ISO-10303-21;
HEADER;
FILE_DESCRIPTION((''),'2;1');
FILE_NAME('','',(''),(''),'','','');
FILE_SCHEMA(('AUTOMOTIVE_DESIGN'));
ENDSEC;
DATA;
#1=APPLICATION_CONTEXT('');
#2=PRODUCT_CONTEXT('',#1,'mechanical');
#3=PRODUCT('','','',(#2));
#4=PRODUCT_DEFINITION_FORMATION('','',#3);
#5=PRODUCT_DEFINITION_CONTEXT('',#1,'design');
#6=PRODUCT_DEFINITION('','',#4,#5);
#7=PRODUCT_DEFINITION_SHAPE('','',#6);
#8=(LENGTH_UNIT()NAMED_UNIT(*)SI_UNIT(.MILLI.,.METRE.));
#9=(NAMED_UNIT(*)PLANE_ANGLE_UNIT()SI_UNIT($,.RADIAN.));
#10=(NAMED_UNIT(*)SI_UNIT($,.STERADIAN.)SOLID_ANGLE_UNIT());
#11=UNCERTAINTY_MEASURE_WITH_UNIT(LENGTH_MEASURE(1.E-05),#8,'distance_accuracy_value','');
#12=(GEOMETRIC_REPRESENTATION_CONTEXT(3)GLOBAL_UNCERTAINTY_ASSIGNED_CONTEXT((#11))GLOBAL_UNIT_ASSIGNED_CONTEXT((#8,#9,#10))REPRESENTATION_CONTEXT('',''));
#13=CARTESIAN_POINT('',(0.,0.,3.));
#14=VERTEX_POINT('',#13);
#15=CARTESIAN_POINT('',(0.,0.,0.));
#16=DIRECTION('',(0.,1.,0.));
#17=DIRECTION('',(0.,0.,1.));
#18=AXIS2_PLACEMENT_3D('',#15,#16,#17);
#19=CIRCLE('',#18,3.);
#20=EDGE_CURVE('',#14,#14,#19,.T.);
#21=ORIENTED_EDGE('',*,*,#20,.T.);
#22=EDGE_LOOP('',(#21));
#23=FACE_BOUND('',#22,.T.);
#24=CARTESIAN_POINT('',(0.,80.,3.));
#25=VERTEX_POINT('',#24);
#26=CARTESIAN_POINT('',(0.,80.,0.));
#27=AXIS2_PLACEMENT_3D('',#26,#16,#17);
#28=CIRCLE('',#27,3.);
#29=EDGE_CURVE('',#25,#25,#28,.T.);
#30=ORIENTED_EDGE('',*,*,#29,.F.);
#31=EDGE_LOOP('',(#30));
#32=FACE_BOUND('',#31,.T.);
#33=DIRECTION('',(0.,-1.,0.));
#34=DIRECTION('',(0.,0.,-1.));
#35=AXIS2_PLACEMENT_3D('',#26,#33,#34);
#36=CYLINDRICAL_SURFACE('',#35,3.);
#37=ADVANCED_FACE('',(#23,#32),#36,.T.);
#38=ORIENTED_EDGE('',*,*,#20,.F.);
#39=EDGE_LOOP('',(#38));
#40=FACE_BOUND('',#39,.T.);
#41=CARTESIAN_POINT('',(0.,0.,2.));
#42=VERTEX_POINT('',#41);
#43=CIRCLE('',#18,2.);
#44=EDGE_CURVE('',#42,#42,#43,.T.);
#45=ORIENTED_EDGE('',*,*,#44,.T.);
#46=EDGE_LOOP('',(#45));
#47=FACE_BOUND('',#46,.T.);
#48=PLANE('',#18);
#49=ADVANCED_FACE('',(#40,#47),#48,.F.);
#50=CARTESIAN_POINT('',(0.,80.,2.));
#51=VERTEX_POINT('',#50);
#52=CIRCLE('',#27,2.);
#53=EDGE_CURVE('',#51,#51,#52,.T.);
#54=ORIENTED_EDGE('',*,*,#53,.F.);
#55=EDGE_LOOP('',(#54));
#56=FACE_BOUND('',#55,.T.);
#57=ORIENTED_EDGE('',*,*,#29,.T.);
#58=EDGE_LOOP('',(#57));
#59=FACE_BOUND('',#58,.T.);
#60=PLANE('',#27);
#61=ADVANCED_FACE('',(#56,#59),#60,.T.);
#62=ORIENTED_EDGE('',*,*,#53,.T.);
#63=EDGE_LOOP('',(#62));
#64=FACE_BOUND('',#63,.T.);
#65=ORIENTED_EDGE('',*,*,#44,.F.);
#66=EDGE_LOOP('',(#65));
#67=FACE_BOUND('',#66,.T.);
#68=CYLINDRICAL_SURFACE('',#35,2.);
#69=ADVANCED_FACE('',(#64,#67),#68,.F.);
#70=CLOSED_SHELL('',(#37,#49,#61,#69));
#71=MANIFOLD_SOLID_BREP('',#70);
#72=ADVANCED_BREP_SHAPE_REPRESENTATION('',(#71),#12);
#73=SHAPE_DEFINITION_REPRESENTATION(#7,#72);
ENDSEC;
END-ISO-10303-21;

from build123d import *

# Parameters (mm, degrees)
SKETCH_1_R      = 3
SKETCH_1_R_2    = 2
EXTRUDE_1_DEPTH = 80


with BuildPart() as part:
    # 草图1 → 凸台-拉伸1 (new body)
    with BuildSketch(Plane(origin=(0, 0, 0), x_dir=(1, 0, 0), z_dir=(0, 1, 0))):
        with Locations(Location((0, 0, 0), (0, 0, 270))):
            Circle(SKETCH_1_R)
        with Locations(Location((0, 0, 0), (0, 0, 270))):
            Circle(SKETCH_1_R_2, mode=Mode.SUBTRACT)
    extrude(amount=EXTRUDE_1_DEPTH)


solid = part.part
